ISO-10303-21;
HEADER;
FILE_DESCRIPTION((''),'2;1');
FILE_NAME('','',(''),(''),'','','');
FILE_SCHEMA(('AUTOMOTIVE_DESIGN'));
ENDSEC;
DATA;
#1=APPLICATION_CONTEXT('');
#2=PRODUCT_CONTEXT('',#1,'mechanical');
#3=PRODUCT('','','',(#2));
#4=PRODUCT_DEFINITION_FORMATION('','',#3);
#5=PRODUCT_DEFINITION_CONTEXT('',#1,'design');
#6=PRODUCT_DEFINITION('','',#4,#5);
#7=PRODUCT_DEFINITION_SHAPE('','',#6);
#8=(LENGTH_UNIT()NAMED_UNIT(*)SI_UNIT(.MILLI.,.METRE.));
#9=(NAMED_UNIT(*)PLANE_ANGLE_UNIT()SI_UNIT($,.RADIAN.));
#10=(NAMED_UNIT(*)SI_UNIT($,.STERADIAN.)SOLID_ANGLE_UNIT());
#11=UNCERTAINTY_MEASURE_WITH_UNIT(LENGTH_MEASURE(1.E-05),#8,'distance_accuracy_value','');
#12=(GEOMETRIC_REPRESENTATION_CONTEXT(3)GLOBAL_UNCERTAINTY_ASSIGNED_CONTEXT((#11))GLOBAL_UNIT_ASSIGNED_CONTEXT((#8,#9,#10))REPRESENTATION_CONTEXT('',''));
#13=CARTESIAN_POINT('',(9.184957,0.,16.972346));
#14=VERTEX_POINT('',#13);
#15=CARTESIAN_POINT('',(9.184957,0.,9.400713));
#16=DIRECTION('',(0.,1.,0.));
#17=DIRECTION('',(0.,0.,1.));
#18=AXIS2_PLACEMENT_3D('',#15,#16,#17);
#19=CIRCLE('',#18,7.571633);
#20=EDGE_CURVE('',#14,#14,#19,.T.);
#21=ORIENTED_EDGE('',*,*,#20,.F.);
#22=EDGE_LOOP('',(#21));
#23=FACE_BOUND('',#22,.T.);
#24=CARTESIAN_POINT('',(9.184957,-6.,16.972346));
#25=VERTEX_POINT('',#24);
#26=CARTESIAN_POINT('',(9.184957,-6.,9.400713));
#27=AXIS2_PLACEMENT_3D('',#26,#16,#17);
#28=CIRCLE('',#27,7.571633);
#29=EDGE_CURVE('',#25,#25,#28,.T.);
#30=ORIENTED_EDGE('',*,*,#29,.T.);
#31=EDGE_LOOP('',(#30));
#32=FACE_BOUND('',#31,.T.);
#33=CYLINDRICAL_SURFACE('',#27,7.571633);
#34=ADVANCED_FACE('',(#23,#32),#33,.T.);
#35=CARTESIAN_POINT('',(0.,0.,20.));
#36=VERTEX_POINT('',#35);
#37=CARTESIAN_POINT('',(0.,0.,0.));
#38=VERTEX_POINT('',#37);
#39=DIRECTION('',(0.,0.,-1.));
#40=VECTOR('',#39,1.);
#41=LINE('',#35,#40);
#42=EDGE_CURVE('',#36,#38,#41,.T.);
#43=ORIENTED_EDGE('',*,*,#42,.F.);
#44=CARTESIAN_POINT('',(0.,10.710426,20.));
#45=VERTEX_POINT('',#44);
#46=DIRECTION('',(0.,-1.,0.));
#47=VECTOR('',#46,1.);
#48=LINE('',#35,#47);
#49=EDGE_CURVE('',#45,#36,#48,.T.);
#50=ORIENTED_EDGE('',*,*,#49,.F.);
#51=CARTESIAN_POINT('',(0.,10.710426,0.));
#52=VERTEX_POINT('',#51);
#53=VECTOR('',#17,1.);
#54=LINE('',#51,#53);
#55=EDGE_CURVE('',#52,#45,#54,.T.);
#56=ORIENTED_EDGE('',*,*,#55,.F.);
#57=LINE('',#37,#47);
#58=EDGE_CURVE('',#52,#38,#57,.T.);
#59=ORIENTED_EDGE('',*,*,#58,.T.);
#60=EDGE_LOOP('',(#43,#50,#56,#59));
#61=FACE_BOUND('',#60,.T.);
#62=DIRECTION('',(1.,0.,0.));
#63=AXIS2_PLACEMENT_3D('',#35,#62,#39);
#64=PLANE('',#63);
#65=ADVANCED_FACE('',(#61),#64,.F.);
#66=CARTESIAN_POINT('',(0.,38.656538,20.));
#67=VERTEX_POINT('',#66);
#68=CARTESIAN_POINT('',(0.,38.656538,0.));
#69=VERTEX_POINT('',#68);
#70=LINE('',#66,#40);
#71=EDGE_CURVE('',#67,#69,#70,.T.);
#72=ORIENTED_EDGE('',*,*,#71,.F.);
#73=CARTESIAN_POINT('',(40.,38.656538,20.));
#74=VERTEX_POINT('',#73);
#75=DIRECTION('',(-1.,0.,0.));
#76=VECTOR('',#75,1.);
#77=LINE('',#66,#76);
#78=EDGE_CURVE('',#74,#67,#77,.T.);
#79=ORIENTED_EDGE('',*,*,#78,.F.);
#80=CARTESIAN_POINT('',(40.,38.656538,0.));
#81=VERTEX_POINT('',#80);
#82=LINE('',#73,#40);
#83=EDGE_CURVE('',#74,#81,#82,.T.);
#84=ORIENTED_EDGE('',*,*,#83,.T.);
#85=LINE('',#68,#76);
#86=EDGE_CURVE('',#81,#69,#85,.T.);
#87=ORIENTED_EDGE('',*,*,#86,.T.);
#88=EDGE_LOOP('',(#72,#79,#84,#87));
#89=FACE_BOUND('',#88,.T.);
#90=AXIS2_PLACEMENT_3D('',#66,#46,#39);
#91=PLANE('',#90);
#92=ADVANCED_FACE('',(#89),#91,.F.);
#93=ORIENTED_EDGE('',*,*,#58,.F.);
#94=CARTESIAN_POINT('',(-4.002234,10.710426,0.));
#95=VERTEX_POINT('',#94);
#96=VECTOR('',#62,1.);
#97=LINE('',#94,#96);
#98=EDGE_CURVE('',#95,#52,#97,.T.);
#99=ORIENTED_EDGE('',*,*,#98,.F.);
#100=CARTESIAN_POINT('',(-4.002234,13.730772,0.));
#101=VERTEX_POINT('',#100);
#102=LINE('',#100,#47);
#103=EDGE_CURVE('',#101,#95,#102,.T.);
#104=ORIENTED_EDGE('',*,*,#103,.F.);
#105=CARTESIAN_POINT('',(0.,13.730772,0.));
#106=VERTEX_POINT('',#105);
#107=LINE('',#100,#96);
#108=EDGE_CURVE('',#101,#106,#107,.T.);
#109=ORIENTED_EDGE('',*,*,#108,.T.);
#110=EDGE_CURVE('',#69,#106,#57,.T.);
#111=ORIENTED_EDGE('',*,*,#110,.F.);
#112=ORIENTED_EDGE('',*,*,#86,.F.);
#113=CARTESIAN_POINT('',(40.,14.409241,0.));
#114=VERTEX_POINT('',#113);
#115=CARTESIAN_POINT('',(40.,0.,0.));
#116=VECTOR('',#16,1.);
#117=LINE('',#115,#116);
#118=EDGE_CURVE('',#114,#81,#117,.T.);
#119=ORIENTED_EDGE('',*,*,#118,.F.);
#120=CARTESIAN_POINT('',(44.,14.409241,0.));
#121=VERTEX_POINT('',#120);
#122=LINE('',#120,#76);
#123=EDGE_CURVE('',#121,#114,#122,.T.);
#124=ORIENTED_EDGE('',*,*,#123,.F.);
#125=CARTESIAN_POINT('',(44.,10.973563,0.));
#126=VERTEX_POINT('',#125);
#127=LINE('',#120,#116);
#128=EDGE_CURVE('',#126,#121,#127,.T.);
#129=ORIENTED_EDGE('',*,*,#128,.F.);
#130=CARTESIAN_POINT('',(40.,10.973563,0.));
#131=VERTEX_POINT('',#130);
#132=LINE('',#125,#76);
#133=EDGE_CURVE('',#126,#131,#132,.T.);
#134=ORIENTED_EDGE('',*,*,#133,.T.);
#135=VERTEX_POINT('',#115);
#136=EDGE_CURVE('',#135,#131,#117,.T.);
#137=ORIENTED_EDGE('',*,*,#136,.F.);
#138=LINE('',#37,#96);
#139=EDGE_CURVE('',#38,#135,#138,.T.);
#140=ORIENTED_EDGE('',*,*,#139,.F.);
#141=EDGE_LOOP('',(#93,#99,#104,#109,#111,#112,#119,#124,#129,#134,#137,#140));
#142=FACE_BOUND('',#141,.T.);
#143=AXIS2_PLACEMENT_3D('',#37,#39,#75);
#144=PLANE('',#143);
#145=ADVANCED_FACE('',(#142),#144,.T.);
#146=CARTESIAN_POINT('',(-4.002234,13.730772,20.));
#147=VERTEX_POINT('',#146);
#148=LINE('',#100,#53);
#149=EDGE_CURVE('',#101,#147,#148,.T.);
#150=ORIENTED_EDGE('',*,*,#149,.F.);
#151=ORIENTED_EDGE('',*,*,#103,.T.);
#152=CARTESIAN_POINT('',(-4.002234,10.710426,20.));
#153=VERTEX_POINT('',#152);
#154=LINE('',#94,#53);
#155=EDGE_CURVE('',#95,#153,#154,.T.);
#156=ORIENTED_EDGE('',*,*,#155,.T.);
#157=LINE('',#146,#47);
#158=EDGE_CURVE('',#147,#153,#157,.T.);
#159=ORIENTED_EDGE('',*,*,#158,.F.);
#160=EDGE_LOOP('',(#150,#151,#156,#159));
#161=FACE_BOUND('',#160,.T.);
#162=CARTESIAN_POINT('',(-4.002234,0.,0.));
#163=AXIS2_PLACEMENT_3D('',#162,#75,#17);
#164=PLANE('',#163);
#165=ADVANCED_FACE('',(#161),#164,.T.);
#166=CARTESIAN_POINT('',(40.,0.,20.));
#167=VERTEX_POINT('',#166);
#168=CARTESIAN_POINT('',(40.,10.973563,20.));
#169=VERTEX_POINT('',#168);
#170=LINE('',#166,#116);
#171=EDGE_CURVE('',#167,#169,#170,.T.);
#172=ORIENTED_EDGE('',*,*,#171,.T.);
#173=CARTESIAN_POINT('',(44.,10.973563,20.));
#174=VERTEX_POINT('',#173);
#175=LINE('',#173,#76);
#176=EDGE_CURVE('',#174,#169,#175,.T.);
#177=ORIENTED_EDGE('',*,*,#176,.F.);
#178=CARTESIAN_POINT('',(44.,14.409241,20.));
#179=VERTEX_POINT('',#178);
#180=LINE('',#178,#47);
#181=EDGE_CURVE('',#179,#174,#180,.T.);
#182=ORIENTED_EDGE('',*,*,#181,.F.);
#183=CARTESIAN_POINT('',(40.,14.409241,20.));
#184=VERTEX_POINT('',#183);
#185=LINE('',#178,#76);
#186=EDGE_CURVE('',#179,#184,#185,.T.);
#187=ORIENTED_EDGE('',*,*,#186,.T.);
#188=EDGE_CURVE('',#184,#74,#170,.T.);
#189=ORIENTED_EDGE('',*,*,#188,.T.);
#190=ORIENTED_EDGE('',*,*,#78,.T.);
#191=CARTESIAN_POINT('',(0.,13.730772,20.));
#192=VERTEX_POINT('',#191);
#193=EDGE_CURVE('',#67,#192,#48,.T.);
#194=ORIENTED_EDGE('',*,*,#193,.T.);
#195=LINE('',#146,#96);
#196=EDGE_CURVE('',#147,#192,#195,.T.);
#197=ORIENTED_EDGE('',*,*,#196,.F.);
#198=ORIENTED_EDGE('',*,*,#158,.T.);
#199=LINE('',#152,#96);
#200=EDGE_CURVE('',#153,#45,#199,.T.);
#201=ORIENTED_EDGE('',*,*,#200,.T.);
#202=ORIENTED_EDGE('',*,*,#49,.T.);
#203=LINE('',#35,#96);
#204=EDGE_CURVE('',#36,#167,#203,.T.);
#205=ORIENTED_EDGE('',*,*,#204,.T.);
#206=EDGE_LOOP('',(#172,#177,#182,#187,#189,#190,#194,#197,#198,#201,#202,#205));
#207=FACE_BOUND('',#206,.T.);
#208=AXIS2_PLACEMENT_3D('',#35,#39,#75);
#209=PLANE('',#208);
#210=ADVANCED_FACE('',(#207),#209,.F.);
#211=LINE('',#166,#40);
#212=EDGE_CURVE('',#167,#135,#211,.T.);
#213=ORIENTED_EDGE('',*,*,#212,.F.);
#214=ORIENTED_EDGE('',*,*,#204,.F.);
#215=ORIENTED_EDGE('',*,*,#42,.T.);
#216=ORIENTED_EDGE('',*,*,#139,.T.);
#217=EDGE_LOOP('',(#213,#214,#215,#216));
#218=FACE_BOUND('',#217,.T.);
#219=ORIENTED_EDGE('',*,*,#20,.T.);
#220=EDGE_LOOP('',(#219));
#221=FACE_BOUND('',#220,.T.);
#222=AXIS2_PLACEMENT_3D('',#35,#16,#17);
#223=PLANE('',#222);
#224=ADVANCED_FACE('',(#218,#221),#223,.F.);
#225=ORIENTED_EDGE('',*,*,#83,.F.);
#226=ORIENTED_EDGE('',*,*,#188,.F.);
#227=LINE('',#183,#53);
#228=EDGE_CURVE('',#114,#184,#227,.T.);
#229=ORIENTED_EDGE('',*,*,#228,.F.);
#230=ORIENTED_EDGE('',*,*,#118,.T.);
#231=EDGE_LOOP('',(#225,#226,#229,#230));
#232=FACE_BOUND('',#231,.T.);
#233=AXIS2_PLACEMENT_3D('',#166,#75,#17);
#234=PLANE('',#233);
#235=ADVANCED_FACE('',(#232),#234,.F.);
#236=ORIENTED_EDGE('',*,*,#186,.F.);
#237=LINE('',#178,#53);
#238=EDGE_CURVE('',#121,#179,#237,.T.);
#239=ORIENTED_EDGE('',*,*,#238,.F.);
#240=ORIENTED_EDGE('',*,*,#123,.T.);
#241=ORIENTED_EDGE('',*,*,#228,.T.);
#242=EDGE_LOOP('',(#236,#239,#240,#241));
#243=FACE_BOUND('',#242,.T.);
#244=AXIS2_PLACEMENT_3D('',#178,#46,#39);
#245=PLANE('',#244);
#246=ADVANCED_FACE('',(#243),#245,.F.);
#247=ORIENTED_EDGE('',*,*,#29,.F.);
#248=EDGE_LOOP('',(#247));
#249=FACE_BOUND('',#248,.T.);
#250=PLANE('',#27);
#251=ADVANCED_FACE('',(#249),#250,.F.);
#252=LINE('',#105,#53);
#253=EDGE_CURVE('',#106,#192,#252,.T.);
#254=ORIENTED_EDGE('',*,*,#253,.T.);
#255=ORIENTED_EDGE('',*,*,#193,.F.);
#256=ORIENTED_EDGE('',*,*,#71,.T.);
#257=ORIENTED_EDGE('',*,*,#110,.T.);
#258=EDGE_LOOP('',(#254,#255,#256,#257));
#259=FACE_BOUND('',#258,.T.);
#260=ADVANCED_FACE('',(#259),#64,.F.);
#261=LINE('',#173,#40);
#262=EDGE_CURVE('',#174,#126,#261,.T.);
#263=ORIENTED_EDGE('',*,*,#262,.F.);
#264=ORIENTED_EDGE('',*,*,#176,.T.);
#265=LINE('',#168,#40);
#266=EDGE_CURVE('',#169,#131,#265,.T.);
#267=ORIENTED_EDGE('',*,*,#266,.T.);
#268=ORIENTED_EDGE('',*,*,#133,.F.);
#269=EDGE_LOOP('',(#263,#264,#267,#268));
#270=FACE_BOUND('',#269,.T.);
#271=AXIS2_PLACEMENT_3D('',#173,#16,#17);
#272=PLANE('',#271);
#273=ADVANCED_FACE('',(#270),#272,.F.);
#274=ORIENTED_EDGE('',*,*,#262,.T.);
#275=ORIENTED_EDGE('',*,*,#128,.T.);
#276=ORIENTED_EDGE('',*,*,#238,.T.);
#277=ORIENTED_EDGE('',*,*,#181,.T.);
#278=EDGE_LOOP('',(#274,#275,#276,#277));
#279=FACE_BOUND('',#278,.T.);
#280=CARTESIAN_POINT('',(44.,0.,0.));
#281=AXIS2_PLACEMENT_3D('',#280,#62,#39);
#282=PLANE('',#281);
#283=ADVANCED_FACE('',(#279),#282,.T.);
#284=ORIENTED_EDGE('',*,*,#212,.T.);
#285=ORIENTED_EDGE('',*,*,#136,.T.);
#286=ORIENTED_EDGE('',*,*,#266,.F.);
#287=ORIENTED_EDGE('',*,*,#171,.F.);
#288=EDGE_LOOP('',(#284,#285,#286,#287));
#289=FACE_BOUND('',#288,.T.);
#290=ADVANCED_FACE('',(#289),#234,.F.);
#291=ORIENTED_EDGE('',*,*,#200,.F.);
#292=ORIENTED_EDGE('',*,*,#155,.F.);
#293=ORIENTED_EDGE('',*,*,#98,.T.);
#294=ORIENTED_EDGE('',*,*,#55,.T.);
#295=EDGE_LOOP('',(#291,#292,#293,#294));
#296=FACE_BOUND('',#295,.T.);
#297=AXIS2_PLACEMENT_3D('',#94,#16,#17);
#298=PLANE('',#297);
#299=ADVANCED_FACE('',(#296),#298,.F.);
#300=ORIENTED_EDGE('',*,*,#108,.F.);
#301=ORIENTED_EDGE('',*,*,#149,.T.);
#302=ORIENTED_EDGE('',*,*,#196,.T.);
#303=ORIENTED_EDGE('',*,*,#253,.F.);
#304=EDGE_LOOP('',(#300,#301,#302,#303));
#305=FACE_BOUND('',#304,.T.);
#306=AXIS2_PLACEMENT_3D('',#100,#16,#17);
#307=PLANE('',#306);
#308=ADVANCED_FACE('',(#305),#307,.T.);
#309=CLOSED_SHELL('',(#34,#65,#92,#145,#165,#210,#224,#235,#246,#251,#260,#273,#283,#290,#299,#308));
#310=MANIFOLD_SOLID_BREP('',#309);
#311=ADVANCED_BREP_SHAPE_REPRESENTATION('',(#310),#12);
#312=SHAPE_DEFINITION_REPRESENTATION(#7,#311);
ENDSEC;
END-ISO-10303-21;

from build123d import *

# Parameters (mm, degrees)
SKETCH_3_W      = 40
SKETCH_3_H      = 38.656537643
EXTRUDE_1_DEPTH = 20
SKETCH_4_R      = 7.571632933
EXTRUDE_2_DEPTH = 6
SKETCH_5_W      = 20
SKETCH_5_H      = 3.020345361
EXTRUDE_3_DEPTH = 4.002234026
SKETCH_6_W      = 20
SKETCH_6_H      = 3.435678125
EXTRUDE_4_DEPTH = 4


with BuildPart() as part:
    # 草图3 → 凸台-拉伸1 (new body)
    with BuildSketch(Plane.XY):
        with Locations((20, 19.328268822)):
            Rectangle(SKETCH_3_W, SKETCH_3_H)
    extrude(amount=EXTRUDE_1_DEPTH)

    # 草图4 → 凸台-拉伸2 (add)
    with BuildSketch(Plane(origin=(0, 0, 0), x_dir=(1, 0, 0), z_dir=(0, 1, 0))):
        with Locations(Location((9.184956981, -9.400712822, 0), (0, 0, 270))):
            Circle(SKETCH_4_R)
    extrude(amount=-EXTRUDE_2_DEPTH)

    # 草图5 → 凸台-拉伸3 (add)
    with BuildSketch(Plane.ZY):
        with Locations((10, 12.220599132)):
            Rectangle(SKETCH_5_W, SKETCH_5_H)
    extrude(amount=EXTRUDE_3_DEPTH)

    # 草图6 → 凸台-拉伸4 (add)
    with BuildSketch(Plane(origin=(40, 0, 0), x_dir=(0, 0, -1), z_dir=(1, 0, 0))):
        with Locations((-10, 12.69140217)):
            Rectangle(SKETCH_6_W, SKETCH_6_H)
    extrude(amount=EXTRUDE_4_DEPTH)


solid = part.part
